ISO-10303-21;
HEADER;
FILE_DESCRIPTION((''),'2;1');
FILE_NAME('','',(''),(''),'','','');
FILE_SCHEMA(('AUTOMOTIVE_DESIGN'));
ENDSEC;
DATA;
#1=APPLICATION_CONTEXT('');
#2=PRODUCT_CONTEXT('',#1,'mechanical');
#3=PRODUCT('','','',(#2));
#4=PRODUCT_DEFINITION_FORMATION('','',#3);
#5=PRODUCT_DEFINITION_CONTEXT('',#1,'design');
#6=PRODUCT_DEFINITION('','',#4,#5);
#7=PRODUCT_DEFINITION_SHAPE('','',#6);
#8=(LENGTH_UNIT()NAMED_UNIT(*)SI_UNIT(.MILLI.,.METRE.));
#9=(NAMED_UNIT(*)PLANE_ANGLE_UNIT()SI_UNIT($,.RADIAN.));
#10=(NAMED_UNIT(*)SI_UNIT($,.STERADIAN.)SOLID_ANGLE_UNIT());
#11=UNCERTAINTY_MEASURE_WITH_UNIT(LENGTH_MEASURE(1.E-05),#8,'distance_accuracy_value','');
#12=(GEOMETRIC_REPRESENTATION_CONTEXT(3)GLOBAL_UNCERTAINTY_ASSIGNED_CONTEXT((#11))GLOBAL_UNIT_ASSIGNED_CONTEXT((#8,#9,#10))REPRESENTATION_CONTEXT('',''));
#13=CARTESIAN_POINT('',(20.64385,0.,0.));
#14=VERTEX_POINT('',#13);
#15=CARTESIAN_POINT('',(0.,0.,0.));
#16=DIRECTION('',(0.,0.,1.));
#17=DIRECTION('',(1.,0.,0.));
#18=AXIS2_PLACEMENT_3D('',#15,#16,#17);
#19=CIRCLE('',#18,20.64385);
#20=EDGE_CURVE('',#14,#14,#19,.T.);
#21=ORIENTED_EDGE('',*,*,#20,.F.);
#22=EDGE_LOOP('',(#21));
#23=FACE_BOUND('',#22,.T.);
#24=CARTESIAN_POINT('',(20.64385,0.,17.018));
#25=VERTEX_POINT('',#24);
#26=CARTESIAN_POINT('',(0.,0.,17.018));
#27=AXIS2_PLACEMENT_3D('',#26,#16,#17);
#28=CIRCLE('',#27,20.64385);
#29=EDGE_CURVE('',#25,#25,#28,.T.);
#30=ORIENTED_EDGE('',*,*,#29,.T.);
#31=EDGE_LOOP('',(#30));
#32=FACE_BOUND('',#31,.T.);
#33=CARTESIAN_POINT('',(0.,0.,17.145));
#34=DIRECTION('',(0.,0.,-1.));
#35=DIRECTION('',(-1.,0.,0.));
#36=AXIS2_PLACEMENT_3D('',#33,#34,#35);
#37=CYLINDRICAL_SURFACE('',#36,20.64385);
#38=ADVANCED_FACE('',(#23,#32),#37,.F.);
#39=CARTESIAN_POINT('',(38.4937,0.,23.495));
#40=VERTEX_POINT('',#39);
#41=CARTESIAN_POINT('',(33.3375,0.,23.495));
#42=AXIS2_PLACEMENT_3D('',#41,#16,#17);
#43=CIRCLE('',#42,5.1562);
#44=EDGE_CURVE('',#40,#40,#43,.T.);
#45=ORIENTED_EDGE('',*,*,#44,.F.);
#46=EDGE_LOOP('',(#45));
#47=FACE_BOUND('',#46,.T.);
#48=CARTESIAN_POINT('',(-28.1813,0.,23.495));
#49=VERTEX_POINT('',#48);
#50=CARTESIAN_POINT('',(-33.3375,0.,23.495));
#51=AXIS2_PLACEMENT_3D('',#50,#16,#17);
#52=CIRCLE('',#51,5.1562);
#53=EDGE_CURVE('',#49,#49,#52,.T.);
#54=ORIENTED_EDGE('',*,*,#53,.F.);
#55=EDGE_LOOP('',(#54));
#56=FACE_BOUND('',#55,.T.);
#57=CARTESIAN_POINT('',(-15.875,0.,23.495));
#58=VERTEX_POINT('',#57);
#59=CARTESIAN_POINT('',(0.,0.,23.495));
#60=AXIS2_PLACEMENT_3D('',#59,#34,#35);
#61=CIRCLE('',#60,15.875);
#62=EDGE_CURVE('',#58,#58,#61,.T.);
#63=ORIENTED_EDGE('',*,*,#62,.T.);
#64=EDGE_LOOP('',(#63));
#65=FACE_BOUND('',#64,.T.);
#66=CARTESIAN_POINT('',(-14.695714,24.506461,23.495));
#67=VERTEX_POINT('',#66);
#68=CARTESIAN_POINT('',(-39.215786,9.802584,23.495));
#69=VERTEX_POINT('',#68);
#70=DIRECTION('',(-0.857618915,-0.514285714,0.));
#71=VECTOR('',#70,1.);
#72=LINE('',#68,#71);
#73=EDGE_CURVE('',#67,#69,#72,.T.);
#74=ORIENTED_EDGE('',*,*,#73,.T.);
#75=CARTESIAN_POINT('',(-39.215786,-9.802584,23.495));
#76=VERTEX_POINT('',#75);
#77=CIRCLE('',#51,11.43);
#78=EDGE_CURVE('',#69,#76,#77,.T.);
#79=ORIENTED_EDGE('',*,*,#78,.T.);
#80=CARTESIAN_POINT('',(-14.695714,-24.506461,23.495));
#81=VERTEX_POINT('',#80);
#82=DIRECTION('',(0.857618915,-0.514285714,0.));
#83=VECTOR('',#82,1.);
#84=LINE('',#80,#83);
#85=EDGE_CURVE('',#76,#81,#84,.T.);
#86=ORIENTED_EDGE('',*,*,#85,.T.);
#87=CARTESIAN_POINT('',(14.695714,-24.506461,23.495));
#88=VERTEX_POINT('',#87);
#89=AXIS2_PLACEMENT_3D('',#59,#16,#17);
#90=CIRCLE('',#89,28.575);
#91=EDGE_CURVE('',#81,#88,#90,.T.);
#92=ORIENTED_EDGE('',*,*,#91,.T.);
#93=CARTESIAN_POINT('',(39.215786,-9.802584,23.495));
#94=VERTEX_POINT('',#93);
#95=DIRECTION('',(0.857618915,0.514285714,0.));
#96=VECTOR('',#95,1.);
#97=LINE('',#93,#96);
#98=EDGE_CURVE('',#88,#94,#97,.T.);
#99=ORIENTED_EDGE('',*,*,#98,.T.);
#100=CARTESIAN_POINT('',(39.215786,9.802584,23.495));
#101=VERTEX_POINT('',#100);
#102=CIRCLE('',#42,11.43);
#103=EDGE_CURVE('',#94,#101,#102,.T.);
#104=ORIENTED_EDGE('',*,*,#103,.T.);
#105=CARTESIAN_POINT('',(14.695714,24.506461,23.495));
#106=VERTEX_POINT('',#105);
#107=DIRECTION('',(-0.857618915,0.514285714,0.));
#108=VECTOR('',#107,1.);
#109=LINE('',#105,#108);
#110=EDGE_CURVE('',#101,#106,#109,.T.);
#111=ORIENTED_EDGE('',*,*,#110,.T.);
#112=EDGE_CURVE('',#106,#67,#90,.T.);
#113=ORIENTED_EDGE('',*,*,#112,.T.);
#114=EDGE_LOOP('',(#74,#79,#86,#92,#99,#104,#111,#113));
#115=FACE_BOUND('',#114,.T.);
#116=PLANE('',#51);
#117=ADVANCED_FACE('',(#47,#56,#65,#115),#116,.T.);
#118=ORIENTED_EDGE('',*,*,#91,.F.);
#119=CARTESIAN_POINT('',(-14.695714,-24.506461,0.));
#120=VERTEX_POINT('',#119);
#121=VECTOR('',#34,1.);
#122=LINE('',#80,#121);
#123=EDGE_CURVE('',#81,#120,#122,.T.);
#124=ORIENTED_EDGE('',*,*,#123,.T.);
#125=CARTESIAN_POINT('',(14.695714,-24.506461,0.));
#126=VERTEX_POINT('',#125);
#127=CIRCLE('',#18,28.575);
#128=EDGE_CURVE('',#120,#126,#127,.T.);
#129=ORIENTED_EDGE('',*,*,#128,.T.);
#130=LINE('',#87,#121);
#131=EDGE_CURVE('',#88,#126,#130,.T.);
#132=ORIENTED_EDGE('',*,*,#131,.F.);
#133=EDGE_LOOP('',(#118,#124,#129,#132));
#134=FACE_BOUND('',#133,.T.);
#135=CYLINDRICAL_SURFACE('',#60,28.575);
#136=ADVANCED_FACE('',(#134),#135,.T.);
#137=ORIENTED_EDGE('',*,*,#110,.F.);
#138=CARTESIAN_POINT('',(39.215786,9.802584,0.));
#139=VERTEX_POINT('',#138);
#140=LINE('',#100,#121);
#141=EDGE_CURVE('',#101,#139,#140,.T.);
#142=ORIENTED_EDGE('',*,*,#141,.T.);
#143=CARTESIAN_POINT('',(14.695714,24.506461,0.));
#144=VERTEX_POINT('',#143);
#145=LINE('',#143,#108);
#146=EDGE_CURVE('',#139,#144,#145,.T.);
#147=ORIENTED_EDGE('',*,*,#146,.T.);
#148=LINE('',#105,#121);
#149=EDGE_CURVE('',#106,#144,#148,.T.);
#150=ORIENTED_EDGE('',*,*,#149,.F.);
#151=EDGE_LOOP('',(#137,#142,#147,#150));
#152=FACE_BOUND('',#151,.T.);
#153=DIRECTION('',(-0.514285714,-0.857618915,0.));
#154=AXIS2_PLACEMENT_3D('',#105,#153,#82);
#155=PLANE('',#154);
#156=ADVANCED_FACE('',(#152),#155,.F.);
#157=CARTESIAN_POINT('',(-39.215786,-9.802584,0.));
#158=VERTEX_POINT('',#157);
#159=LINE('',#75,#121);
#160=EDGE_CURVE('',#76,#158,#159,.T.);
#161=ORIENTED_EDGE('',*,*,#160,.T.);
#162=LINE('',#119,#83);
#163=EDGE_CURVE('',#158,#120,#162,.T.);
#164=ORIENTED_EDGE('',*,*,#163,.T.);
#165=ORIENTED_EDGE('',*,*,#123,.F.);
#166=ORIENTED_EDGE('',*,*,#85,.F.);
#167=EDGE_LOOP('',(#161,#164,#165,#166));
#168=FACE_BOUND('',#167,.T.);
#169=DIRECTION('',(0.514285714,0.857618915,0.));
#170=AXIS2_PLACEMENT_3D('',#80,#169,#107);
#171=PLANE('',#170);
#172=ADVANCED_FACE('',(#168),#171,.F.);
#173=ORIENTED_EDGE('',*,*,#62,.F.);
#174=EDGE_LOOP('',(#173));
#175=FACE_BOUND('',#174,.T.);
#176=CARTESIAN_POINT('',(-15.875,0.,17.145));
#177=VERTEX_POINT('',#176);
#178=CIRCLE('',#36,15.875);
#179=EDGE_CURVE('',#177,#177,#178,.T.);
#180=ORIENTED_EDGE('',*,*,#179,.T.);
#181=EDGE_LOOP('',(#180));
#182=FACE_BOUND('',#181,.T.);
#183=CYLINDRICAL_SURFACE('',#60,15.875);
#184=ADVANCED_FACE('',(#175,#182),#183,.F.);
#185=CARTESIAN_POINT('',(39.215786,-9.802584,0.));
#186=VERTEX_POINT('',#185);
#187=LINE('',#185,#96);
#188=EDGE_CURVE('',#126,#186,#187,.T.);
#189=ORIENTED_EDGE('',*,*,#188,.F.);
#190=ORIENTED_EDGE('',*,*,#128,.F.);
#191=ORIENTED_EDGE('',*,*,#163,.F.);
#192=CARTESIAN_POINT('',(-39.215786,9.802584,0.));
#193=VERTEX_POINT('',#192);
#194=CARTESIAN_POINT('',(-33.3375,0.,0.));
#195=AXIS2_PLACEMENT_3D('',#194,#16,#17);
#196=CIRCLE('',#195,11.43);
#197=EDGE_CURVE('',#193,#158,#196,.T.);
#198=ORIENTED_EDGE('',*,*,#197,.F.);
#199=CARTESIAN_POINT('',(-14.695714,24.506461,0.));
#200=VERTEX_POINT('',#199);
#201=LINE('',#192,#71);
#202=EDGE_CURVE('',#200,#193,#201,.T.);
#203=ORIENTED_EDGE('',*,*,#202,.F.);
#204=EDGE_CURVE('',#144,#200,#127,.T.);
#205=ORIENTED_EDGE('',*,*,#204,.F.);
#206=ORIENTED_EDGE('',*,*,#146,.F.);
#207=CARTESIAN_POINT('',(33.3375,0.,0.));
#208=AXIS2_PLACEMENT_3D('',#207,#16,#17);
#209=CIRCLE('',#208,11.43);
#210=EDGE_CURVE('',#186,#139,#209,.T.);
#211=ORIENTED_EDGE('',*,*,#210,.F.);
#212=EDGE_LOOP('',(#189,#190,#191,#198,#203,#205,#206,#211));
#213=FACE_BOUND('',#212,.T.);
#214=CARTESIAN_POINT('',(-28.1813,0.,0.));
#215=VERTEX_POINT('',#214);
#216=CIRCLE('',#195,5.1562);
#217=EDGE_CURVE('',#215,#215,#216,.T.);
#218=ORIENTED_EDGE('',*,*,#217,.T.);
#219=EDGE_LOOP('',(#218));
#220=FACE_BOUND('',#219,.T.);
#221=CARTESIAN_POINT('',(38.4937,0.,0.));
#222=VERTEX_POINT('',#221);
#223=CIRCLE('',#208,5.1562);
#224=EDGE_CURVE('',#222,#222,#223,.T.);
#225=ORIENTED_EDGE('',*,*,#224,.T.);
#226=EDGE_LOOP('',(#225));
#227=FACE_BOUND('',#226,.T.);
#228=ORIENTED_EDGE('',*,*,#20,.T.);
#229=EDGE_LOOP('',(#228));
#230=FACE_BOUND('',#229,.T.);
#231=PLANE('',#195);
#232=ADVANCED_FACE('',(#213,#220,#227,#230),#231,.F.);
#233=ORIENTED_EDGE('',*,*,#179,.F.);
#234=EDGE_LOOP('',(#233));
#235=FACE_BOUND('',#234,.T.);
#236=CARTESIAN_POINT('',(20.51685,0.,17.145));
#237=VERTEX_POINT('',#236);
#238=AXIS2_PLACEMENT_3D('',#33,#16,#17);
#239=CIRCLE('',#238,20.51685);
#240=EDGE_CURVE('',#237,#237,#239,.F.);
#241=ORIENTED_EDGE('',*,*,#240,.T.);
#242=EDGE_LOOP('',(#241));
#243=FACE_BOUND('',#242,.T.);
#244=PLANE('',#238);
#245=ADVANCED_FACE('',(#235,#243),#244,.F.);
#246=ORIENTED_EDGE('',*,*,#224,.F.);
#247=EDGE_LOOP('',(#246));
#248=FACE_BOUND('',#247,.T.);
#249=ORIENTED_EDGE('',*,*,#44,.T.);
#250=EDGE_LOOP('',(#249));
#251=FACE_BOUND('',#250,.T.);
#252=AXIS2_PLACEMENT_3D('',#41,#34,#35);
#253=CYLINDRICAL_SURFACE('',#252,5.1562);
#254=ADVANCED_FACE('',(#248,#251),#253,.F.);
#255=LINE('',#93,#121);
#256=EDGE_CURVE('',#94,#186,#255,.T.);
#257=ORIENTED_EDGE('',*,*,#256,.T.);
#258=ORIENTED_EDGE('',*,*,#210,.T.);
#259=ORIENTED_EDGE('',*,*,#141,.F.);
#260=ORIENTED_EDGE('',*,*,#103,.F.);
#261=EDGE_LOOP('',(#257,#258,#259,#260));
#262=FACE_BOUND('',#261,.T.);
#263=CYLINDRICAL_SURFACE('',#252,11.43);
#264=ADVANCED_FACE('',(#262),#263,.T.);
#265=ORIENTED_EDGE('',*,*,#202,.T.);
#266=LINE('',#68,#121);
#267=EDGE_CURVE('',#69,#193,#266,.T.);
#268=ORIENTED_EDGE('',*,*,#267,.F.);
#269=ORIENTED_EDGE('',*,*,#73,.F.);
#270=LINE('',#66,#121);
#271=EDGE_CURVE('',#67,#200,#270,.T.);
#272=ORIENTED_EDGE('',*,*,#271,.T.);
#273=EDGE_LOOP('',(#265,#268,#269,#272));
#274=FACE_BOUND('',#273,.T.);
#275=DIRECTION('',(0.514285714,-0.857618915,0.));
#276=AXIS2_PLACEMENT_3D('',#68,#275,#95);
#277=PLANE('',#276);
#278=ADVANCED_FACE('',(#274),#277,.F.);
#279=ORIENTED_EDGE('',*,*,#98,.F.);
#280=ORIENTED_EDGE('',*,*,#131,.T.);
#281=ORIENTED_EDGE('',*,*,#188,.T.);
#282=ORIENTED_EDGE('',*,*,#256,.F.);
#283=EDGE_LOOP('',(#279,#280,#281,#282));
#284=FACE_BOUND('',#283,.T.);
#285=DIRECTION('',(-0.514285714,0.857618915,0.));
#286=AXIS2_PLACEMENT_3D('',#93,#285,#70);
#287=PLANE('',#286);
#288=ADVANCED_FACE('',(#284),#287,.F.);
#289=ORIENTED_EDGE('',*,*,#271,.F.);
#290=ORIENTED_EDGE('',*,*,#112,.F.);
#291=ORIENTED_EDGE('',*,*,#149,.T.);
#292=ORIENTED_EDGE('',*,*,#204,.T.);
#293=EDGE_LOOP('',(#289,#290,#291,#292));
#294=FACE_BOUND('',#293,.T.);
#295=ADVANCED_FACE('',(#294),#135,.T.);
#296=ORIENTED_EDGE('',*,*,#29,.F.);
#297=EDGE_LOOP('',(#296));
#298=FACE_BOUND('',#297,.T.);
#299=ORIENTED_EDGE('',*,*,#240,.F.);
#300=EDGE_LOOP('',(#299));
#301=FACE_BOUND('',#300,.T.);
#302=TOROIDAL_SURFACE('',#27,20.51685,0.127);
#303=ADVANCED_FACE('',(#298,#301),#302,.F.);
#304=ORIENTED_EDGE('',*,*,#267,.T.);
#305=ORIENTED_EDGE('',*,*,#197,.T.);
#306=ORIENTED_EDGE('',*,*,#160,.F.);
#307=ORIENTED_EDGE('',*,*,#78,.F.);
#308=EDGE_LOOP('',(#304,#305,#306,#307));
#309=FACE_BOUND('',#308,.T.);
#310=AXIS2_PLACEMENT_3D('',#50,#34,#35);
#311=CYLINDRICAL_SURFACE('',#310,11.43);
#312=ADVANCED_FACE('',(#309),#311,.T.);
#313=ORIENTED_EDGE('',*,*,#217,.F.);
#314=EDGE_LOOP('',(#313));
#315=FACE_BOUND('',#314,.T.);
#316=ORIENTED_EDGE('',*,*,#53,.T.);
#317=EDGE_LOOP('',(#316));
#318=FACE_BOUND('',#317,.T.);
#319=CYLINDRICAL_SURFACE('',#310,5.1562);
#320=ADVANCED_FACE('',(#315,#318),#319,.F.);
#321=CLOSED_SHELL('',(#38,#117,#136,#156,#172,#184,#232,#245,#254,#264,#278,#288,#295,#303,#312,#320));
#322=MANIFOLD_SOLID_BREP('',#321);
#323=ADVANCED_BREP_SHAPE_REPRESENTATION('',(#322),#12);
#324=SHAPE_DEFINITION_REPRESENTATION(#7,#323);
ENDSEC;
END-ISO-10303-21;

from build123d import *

# Parameters (mm, degrees)
SKETCH1_R          = 5.1562
EXTRUDE1_DEPTH     = 23.495
SKETCH6_R          = 20.64385
CUT_EXTRUDE1_DEPTH = 17.145
SKETCH7_R          = 15.875
CUT_EXTRUDE2_DEPTH = 7.35
FILLET1_R          = 0.127


with BuildPart() as part:
    # Sketch1 → Extrude1 (new body)
    with BuildSketch(Plane.XY):
        with BuildLine():
            Line((-39.215785714, 9.802584203), (-14.695714286, 24.506460508))
            ThreePointArc((-14.695714286, 24.506460508), (0, 28.575), (14.695714286, 24.506460508))
            Line((14.695714286, 24.506460508), (39.215785714, 9.802584203))
            ThreePointArc((39.215785714, 9.802584203), (44.7675, 0), (39.215785714, -9.802584203))
            Line((39.215785714, -9.802584203), (14.695714286, -24.506460508))
            ThreePointArc((14.695714286, -24.506460508), (0, -28.575), (-14.695714286, -24.506460508))
            Line((-14.695714286, -24.506460508), (-39.215785714, -9.802584203))
            ThreePointArc((-39.215785714, -9.802584203), (-44.7675, 0), (-39.215785714, 9.802584203))
        make_face()
        with Locations((-33.3375, 0)):
            Circle(SKETCH1_R, mode=Mode.SUBTRACT)
        with Locations((33.3375, 0)):
            Circle(SKETCH1_R, mode=Mode.SUBTRACT)
    extrude(amount=EXTRUDE1_DEPTH)

    # Sketch6 → Cut-Extrude1 (cut)
    with BuildSketch(Plane.XY):
        Circle(SKETCH6_R)
    extrude(amount=CUT_EXTRUDE1_DEPTH, mode=Mode.SUBTRACT)

    # Sketch7 → Cut-Extrude2 (cut, through all)
    with BuildSketch(Plane(origin=(0, 0, 17.145), x_dir=(-1, 0, 0), z_dir=(0, 0, -1))):
        Circle(SKETCH7_R)
    extrude(amount=-CUT_EXTRUDE2_DEPTH, mode=Mode.SUBTRACT)

    # Fillet1
    fillet1_edges = [part.edges().sort_by_distance(p)[0] for p in [
        (-20.64385, 0, 17.145),
    ]]
    fillet(fillet1_edges, radius=FILLET1_R)


solid = part.part
